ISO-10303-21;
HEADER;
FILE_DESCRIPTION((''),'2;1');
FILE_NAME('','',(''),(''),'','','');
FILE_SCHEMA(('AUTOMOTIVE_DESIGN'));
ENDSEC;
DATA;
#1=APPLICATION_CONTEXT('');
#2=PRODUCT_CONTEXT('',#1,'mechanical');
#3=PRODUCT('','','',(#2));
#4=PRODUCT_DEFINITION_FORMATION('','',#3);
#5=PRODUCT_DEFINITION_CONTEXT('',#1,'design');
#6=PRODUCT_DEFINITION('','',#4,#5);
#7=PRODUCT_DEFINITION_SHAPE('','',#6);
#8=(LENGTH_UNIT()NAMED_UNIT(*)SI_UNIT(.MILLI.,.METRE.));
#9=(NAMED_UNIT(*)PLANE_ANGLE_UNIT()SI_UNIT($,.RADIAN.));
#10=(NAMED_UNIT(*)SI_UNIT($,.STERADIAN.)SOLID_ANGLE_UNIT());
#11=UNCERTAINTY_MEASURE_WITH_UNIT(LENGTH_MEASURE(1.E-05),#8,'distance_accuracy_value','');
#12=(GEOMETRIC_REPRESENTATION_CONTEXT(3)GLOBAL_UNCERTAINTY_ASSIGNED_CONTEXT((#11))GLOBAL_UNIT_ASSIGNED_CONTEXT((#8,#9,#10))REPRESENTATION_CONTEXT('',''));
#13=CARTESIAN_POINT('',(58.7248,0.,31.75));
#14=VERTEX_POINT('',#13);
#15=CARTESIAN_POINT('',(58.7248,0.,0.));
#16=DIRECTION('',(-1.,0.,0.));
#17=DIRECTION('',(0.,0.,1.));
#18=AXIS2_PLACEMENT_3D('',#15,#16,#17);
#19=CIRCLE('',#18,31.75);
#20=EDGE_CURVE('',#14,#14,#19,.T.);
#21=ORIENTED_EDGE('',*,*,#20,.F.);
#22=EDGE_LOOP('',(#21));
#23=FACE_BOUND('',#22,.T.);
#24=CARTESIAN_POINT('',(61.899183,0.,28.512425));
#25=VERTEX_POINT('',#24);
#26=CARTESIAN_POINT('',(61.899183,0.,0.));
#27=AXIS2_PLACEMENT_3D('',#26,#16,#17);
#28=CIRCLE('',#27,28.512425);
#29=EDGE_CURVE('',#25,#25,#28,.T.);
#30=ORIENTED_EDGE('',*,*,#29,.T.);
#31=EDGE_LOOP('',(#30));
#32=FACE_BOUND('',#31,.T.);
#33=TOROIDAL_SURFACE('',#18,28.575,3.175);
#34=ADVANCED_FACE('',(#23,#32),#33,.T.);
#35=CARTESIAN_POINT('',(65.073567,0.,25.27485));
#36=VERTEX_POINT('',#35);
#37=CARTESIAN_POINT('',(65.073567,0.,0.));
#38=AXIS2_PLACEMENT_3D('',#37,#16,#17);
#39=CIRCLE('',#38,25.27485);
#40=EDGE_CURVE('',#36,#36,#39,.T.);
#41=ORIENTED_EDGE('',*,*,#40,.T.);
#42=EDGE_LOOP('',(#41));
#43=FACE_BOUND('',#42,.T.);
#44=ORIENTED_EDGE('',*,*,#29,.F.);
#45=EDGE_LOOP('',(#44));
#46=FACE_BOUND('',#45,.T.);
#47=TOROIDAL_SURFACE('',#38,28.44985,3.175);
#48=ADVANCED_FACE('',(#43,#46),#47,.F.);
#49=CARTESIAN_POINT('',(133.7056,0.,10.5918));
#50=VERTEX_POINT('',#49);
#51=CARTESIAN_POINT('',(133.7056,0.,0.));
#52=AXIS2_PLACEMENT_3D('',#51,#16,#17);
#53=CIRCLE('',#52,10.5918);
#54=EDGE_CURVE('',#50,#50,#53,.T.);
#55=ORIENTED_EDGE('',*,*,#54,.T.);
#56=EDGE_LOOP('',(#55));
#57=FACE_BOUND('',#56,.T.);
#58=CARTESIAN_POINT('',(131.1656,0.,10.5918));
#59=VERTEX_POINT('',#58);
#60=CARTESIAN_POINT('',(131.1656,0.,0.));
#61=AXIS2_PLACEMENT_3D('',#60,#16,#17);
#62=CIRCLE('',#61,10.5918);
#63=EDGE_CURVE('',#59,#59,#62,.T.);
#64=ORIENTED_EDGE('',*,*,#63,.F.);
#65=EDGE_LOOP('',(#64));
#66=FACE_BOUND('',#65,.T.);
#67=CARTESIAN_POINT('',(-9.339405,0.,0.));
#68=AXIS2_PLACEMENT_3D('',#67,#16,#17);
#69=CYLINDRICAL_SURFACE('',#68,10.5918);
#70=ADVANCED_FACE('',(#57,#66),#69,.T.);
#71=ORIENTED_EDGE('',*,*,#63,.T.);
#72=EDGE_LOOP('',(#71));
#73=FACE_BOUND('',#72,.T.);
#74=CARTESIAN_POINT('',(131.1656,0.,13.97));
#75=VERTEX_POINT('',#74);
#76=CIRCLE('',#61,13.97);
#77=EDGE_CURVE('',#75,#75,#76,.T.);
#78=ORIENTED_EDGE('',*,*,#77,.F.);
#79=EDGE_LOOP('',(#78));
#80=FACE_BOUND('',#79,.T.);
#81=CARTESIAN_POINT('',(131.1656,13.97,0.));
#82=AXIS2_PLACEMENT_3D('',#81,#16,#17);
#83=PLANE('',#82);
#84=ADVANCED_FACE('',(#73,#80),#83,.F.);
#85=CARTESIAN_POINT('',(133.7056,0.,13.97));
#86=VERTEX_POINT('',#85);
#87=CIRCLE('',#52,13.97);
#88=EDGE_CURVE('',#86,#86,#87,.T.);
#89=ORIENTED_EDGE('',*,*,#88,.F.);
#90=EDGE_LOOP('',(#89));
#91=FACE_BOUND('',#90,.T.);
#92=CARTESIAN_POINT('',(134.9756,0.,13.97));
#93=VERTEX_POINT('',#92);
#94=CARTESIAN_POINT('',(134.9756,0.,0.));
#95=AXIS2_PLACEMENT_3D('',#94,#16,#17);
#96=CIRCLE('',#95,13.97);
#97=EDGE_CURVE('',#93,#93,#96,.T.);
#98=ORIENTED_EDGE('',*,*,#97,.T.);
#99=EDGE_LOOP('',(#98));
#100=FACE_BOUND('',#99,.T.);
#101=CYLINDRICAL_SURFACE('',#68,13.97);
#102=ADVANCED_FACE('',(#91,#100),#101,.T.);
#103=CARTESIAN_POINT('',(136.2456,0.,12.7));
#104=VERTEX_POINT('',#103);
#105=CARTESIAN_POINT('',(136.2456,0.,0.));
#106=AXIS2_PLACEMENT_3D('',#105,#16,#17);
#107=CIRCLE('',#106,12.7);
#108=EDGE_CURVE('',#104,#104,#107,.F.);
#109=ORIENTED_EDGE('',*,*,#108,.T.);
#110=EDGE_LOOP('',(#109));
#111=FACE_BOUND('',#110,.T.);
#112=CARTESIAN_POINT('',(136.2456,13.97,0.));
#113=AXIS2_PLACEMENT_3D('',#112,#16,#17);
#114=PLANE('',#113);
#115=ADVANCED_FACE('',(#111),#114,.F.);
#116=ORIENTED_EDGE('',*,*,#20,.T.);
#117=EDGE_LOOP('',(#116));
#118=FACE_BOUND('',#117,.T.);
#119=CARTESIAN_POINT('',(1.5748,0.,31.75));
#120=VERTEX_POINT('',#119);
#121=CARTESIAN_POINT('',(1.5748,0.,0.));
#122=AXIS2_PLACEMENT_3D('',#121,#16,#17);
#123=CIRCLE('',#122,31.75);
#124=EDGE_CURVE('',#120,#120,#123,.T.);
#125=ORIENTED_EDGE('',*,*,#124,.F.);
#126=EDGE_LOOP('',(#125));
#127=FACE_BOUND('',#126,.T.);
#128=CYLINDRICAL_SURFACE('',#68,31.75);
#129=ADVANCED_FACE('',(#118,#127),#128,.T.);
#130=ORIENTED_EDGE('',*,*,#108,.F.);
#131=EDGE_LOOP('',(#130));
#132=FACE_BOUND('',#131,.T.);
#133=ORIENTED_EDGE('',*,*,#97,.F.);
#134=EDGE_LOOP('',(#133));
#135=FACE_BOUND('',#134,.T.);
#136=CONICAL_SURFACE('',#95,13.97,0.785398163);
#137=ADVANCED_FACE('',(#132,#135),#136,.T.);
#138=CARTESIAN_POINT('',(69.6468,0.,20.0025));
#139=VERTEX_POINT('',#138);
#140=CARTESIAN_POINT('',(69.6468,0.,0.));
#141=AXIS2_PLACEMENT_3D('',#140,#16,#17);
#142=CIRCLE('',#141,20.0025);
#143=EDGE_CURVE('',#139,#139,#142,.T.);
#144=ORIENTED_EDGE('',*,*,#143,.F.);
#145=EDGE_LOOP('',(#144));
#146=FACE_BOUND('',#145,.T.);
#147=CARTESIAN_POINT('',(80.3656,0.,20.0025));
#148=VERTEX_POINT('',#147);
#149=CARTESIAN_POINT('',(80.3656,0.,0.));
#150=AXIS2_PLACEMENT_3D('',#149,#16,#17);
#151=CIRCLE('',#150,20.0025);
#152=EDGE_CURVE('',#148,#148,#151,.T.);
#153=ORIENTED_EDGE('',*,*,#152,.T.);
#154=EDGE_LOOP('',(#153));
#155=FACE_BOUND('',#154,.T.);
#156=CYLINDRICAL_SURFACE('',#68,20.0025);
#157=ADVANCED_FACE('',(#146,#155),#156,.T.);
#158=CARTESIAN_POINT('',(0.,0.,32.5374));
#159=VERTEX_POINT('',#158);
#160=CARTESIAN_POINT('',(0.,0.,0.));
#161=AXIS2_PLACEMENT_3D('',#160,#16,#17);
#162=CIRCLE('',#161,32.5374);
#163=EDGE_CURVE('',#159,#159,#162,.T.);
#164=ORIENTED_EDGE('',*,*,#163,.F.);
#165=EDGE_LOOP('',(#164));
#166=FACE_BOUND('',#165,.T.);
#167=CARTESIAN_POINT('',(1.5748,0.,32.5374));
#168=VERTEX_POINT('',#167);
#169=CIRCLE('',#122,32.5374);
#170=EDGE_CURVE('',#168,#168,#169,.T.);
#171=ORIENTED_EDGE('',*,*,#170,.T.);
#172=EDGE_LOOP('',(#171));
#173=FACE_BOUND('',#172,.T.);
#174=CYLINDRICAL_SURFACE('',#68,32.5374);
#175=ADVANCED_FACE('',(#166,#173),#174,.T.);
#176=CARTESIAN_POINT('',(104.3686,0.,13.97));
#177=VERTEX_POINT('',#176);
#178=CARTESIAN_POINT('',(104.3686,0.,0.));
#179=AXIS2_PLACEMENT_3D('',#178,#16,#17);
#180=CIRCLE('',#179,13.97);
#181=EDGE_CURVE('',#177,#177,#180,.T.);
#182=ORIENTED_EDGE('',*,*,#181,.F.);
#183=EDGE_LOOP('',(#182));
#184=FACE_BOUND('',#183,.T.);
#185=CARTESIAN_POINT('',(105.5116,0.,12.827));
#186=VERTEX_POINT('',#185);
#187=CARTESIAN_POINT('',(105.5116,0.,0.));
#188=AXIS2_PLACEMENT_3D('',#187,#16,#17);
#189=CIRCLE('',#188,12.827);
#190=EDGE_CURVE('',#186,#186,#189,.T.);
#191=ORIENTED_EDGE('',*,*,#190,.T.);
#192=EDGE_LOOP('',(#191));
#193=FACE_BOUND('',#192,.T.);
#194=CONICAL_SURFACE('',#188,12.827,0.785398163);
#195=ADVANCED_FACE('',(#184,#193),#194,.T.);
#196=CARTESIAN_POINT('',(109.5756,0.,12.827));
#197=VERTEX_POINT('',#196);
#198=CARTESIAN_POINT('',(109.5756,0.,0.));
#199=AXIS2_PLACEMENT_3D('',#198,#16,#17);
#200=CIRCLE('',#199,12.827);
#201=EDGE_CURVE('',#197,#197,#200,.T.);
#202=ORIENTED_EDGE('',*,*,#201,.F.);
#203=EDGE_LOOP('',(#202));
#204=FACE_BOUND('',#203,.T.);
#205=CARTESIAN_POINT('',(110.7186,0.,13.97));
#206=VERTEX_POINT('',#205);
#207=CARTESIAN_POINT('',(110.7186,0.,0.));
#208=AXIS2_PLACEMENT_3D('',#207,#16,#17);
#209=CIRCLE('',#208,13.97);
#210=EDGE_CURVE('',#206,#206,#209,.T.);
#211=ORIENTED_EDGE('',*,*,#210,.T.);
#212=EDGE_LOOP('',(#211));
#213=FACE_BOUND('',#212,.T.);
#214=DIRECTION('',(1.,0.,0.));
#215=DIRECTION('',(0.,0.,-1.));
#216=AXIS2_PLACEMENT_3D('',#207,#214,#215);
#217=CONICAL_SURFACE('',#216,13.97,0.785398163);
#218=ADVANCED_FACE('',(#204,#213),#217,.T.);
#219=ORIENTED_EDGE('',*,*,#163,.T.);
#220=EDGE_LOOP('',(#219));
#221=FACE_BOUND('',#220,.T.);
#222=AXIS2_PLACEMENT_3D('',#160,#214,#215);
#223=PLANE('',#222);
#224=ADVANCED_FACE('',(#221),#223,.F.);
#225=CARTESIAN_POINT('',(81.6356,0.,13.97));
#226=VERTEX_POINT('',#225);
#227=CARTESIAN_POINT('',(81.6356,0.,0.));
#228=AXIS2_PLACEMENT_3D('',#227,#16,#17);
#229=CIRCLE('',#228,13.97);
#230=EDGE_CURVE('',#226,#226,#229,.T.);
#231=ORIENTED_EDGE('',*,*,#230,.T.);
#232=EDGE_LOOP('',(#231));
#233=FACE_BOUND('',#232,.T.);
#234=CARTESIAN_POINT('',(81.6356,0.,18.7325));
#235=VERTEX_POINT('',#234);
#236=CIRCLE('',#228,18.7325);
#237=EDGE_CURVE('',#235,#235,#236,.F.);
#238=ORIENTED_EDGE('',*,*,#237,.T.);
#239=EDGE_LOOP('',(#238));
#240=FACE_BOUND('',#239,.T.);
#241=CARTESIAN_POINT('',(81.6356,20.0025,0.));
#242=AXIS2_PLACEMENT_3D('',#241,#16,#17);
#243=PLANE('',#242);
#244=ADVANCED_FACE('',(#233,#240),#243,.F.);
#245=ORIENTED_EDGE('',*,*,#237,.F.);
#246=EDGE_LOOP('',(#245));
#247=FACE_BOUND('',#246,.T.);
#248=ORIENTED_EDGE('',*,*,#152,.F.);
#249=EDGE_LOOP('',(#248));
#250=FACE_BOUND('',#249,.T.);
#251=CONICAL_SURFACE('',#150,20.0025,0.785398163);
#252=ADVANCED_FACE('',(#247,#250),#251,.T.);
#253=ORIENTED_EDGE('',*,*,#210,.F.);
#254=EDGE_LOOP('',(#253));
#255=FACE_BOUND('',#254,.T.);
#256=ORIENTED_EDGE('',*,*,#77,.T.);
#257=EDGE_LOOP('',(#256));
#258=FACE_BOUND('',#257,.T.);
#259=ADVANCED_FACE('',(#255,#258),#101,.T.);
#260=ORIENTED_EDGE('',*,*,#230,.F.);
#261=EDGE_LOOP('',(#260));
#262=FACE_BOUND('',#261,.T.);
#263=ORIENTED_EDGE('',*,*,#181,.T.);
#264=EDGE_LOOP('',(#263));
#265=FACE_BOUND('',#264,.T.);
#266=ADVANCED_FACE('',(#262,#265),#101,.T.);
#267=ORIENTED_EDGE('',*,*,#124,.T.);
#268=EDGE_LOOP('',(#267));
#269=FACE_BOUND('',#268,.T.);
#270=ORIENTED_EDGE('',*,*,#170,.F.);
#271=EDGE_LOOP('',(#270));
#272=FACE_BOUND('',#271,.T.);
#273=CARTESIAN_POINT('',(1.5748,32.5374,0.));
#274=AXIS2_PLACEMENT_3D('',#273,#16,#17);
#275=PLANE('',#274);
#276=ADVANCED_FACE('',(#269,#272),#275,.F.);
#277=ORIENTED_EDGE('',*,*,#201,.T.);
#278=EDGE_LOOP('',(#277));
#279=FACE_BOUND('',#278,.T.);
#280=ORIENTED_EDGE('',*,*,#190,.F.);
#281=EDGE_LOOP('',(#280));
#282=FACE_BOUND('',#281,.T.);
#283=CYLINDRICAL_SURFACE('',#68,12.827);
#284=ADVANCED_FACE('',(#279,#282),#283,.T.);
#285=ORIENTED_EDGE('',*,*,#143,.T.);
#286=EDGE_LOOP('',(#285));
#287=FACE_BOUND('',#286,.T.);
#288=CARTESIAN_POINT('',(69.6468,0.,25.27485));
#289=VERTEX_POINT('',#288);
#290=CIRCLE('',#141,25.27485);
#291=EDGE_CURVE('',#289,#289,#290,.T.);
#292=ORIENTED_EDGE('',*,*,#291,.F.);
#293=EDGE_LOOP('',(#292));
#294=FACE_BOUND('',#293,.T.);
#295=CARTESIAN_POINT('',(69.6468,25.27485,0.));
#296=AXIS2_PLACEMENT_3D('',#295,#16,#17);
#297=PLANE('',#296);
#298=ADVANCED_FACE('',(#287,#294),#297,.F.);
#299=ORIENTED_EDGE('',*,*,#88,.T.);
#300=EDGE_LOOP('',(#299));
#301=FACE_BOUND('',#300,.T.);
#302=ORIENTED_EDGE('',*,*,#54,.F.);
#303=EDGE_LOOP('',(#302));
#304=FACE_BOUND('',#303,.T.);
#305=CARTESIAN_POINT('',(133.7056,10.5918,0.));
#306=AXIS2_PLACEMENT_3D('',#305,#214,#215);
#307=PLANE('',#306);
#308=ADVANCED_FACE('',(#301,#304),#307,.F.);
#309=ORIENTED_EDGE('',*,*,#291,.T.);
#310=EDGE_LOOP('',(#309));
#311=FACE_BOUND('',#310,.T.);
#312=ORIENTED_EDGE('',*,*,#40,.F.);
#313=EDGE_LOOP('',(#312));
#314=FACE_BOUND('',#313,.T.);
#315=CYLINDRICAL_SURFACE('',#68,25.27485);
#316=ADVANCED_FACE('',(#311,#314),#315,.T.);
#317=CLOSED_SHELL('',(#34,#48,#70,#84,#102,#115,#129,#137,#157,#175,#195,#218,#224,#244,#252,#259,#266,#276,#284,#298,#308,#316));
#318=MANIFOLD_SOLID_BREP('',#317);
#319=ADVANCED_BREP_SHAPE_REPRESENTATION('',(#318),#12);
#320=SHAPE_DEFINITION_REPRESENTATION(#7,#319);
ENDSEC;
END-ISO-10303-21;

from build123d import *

# Parameters (mm, degrees)
CHAMFER1_SIZE = 1.27


with BuildPart() as part:
    # Sketch1 → Revolve1 (revolve)
    with BuildSketch(Plane.XY):
        with BuildLine():
            Line((0, 0), (0, 32.5374))
            Line((0, 32.5374), (1.5748, 32.5374))
            Line((1.5748, 32.5374), (1.5748, 31.75))
            Line((1.5748, 31.75), (58.7248, 31.75))
            ThreePointArc((58.7248, 31.75), (60.991879668, 30.797830353), (61.899183307, 28.512425058))
            ThreePointArc((61.899183307, 28.512425058), (62.806486945, 26.227019762), (65.073566613, 25.274850115))
            Line((65.073566613, 25.274850115), (69.6468, 25.274850115))
            Line((69.6468, 25.274850115), (69.6468, 20.0025))
            Line((69.6468, 20.0025), (81.6356, 20.0025))
            Line((81.6356, 20.0025), (81.6356, 13.97))
            Line((81.6356, 13.97), (104.3686, 13.97))
            Line((104.3686, 13.97), (105.5116, 12.827))
            Line((105.5116, 12.827), (109.5756, 12.827))
            Line((109.5756, 12.827), (110.7186, 13.97))
            Line((110.7186, 13.97), (131.1656, 13.97))
            Line((131.1656, 13.97), (131.1656, 10.5918))
            Line((131.1656, 10.5918), (133.7056, 10.5918))
            Line((133.7056, 10.5918), (133.7056, 13.97))
            Line((133.7056, 13.97), (136.2456, 13.97))
            Line((136.2456, 13.97), (136.2456, 0))
            Line((136.2456, 0), (0, 0))
        make_face()
    revolve(axis=Axis((-9.339404577, 0, 0), (1, 0, 0)))

    # Chamfer1
    chamfer1_edges = [part.edges().sort_by_distance(p)[0] for p in [
        (81.6356, -20.0025, 0),
        (136.2456, -13.97, 0),
    ]]
    chamfer(chamfer1_edges, length=CHAMFER1_SIZE)


solid = part.part
